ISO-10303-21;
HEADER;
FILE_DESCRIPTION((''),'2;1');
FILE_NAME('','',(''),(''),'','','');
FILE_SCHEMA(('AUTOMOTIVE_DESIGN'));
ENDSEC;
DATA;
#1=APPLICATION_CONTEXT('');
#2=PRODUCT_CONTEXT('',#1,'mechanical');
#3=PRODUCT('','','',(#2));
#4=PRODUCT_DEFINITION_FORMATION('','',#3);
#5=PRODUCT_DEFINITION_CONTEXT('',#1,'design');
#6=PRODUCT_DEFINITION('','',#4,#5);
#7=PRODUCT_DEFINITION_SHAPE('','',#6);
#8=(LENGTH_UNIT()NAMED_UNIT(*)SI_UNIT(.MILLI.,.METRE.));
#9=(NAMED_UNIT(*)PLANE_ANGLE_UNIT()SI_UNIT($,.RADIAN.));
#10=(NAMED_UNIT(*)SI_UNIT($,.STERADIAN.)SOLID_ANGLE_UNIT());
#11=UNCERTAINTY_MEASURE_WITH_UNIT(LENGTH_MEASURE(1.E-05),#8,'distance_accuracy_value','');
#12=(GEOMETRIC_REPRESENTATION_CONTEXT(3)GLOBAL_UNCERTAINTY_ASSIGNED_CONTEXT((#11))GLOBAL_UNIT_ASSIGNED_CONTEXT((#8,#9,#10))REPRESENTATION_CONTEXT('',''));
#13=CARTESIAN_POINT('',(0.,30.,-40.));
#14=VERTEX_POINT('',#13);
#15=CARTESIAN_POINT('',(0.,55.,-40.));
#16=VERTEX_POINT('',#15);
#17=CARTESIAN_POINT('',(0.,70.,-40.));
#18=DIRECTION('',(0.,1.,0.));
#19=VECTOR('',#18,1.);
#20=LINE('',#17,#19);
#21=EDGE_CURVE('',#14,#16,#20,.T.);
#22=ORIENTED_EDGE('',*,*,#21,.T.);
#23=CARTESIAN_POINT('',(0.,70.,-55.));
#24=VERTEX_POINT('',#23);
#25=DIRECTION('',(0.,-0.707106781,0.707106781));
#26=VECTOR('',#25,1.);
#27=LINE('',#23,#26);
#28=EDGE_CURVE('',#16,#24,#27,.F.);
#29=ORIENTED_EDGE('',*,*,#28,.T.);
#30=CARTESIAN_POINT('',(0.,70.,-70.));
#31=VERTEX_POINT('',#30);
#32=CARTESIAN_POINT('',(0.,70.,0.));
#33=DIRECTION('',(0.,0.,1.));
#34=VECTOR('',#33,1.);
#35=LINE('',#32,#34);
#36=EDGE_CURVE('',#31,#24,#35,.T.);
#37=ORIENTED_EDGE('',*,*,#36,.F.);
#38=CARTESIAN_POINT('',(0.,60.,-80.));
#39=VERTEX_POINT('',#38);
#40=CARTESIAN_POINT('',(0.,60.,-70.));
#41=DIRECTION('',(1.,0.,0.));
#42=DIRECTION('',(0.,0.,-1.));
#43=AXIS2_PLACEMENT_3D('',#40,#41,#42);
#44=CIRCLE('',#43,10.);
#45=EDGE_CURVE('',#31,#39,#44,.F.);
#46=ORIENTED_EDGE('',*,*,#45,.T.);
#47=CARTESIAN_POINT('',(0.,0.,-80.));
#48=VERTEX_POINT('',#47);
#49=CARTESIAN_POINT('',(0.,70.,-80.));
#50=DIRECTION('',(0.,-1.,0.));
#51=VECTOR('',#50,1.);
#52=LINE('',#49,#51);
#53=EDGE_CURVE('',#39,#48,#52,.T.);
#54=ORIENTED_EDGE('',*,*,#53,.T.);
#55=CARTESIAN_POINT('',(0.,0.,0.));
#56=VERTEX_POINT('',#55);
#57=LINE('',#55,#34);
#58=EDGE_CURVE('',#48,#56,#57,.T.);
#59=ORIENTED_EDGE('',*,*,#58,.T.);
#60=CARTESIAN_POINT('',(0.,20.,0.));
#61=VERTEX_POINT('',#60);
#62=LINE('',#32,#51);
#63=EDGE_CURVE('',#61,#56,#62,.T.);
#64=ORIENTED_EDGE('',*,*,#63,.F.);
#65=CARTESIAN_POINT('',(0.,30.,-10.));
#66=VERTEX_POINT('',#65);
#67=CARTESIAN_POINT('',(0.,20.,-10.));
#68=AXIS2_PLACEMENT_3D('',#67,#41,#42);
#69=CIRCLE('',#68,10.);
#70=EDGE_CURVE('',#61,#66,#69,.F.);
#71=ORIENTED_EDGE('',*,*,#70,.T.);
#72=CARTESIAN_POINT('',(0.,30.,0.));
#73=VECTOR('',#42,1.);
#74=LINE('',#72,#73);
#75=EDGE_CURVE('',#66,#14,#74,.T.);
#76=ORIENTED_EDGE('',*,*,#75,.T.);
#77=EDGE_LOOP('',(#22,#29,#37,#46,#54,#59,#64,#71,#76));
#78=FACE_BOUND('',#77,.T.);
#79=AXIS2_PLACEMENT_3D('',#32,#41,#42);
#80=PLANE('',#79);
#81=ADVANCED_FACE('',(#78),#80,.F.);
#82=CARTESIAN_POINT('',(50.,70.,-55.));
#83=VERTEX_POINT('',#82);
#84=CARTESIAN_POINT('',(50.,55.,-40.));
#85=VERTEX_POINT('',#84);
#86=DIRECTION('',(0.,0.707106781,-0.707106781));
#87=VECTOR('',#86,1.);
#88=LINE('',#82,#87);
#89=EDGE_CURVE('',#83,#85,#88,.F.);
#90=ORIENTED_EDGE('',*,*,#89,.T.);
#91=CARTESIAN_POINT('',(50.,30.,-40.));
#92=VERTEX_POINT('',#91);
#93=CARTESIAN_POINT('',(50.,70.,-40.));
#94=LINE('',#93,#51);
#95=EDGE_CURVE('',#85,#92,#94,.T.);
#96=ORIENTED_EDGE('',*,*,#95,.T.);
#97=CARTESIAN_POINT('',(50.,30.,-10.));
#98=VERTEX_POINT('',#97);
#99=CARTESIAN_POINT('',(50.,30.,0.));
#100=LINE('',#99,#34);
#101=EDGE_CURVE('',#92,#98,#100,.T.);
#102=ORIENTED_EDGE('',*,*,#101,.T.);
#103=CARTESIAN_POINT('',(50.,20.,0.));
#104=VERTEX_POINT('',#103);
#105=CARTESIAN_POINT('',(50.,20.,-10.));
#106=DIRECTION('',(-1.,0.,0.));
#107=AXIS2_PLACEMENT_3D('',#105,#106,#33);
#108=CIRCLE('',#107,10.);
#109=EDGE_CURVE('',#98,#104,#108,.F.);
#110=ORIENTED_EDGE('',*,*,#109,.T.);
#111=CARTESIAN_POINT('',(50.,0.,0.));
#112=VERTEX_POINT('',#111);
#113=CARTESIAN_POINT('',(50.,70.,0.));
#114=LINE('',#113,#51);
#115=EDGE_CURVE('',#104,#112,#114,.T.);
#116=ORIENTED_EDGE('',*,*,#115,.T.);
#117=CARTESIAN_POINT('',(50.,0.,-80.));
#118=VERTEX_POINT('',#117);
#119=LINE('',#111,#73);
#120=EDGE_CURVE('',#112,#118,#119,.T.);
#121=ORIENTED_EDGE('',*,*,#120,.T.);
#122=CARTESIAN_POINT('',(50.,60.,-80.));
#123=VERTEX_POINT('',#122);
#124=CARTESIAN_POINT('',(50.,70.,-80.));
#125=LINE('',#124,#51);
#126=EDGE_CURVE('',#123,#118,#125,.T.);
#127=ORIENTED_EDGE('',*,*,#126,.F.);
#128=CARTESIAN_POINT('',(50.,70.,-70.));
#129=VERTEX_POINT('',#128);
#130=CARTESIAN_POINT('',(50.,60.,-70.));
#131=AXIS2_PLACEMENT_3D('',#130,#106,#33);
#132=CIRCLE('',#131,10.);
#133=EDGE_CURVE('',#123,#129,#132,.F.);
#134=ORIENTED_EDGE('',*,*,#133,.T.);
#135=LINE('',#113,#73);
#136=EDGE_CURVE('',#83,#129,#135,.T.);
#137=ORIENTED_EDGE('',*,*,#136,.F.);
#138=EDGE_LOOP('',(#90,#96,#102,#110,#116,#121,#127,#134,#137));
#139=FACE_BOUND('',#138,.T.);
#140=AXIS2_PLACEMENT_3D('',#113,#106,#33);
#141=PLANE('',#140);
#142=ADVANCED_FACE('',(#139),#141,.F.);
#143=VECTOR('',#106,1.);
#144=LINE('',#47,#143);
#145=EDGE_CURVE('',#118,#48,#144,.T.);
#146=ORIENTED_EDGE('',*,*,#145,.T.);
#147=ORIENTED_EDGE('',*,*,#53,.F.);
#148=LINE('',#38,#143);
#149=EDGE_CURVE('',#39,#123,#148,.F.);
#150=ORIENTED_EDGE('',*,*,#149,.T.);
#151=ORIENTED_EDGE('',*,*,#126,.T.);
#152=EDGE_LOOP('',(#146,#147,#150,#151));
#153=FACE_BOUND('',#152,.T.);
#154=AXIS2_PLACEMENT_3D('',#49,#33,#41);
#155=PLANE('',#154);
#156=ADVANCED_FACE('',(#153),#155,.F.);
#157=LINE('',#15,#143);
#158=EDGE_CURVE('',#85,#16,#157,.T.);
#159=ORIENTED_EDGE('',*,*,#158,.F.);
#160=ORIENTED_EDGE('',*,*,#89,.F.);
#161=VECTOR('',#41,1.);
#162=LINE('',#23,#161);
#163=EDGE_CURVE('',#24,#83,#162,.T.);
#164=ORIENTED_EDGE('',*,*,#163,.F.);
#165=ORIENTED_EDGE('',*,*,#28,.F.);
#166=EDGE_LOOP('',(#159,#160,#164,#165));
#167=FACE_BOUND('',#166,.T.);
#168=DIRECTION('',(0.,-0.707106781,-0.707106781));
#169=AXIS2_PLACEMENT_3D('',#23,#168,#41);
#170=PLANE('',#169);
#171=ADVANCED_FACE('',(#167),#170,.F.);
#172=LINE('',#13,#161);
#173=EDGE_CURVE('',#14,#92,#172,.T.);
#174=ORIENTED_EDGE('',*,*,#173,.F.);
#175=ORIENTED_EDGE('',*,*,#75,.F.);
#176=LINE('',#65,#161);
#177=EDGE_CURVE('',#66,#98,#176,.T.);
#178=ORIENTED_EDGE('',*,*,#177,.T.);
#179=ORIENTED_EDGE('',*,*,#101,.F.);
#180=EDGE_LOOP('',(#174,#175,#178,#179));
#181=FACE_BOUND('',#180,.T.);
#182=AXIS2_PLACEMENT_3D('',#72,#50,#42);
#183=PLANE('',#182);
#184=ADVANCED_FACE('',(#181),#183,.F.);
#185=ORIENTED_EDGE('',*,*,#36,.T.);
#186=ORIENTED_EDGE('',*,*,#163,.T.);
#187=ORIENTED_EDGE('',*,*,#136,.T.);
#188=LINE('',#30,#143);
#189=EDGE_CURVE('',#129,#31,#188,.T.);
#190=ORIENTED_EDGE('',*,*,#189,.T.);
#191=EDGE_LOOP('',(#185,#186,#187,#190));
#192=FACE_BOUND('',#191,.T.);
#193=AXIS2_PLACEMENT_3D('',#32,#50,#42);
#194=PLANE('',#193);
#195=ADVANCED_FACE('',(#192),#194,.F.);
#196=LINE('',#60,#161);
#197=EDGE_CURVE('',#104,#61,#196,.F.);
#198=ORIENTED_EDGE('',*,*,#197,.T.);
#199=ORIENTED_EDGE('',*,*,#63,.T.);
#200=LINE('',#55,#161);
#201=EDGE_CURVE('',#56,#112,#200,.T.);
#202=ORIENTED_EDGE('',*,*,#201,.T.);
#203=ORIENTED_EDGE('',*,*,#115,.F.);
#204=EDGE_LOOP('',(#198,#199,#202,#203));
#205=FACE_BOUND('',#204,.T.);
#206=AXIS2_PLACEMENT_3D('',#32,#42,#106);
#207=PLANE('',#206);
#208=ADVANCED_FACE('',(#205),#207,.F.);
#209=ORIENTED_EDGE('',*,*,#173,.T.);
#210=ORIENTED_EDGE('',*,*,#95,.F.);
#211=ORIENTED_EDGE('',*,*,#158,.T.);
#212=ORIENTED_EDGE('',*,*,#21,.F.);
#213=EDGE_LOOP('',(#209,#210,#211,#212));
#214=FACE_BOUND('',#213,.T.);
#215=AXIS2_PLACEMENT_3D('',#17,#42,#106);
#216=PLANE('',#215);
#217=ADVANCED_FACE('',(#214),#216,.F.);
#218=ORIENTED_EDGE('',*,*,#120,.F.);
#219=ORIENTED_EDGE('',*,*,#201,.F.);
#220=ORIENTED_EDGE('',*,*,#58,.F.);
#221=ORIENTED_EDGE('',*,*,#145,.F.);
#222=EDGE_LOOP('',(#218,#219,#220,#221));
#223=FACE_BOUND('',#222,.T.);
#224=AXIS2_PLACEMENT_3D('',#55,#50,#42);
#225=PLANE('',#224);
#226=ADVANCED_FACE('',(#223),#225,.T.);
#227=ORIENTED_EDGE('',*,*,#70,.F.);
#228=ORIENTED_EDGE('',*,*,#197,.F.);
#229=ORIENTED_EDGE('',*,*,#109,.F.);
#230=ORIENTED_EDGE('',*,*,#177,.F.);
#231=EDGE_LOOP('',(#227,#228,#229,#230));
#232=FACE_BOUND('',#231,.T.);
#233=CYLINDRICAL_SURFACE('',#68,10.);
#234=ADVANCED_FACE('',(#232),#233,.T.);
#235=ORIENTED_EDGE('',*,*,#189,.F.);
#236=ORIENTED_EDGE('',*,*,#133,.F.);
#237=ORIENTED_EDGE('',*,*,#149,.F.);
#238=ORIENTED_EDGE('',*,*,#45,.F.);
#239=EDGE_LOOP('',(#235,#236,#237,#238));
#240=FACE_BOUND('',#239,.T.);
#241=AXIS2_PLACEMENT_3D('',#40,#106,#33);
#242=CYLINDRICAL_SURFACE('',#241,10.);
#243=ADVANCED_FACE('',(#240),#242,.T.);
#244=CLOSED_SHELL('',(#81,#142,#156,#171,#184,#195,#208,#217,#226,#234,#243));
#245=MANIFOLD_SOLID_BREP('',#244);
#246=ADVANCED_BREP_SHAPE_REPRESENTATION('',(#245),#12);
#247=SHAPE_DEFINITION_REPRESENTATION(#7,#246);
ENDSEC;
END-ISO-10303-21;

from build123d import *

# Parameters (mm, degrees)
ESBO_O1_W                  = 50
ESBO_O1_H                  = 80
RESSALTO_EXTRUS_O1_DEPTH   = 70
CORTE_EXTRUS_O1_DEPTH      = 118.473401245
CORTE_EXTRUS_O1_DEPTH_BACK = 118.473401245
ESBO_O2_W                  = 40
ESBO_O2_H                  = 40
CHANFRO1_SIZE              = 15
FILETE1_R                  = 10


with BuildPart() as part:
    # Esboço1 → Ressalto-extrusão1 (new body)
    with BuildSketch(Plane(origin=(0, 0, 0), x_dir=(1, 0, 0), z_dir=(0, 1, 0))):
        with Locations((25, 40)):
            Rectangle(ESBO_O1_W, ESBO_O1_H)
    extrude(amount=RESSALTO_EXTRUS_O1_DEPTH)

    # Esboço2 → Corte-extrusão1 (cut, two sides: drawn at the far end of the back side and taken through both)
    with BuildSketch(Plane(origin=(50, 0, 0), x_dir=(0, 0, -1), z_dir=(1, 0, 0)).offset(-CORTE_EXTRUS_O1_DEPTH_BACK)):
        with Locations((20, 50)):
            Rectangle(ESBO_O2_W, ESBO_O2_H)
    extrude(amount=CORTE_EXTRUS_O1_DEPTH + CORTE_EXTRUS_O1_DEPTH_BACK, mode=Mode.SUBTRACT)

    # Chanfro1
    chanfro1_edges = [part.edges().sort_by_distance(p)[0] for p in [
        (25, 70, -40),
    ]]
    chamfer(chanfro1_edges, length=CHANFRO1_SIZE)

    # Filete1
    filete1_edges = [part.edges().sort_by_distance(p)[0] for p in [
        (25, 70, -80),
        (25, 30, 0),
    ]]
    fillet(filete1_edges, radius=FILETE1_R)


solid = part.part
